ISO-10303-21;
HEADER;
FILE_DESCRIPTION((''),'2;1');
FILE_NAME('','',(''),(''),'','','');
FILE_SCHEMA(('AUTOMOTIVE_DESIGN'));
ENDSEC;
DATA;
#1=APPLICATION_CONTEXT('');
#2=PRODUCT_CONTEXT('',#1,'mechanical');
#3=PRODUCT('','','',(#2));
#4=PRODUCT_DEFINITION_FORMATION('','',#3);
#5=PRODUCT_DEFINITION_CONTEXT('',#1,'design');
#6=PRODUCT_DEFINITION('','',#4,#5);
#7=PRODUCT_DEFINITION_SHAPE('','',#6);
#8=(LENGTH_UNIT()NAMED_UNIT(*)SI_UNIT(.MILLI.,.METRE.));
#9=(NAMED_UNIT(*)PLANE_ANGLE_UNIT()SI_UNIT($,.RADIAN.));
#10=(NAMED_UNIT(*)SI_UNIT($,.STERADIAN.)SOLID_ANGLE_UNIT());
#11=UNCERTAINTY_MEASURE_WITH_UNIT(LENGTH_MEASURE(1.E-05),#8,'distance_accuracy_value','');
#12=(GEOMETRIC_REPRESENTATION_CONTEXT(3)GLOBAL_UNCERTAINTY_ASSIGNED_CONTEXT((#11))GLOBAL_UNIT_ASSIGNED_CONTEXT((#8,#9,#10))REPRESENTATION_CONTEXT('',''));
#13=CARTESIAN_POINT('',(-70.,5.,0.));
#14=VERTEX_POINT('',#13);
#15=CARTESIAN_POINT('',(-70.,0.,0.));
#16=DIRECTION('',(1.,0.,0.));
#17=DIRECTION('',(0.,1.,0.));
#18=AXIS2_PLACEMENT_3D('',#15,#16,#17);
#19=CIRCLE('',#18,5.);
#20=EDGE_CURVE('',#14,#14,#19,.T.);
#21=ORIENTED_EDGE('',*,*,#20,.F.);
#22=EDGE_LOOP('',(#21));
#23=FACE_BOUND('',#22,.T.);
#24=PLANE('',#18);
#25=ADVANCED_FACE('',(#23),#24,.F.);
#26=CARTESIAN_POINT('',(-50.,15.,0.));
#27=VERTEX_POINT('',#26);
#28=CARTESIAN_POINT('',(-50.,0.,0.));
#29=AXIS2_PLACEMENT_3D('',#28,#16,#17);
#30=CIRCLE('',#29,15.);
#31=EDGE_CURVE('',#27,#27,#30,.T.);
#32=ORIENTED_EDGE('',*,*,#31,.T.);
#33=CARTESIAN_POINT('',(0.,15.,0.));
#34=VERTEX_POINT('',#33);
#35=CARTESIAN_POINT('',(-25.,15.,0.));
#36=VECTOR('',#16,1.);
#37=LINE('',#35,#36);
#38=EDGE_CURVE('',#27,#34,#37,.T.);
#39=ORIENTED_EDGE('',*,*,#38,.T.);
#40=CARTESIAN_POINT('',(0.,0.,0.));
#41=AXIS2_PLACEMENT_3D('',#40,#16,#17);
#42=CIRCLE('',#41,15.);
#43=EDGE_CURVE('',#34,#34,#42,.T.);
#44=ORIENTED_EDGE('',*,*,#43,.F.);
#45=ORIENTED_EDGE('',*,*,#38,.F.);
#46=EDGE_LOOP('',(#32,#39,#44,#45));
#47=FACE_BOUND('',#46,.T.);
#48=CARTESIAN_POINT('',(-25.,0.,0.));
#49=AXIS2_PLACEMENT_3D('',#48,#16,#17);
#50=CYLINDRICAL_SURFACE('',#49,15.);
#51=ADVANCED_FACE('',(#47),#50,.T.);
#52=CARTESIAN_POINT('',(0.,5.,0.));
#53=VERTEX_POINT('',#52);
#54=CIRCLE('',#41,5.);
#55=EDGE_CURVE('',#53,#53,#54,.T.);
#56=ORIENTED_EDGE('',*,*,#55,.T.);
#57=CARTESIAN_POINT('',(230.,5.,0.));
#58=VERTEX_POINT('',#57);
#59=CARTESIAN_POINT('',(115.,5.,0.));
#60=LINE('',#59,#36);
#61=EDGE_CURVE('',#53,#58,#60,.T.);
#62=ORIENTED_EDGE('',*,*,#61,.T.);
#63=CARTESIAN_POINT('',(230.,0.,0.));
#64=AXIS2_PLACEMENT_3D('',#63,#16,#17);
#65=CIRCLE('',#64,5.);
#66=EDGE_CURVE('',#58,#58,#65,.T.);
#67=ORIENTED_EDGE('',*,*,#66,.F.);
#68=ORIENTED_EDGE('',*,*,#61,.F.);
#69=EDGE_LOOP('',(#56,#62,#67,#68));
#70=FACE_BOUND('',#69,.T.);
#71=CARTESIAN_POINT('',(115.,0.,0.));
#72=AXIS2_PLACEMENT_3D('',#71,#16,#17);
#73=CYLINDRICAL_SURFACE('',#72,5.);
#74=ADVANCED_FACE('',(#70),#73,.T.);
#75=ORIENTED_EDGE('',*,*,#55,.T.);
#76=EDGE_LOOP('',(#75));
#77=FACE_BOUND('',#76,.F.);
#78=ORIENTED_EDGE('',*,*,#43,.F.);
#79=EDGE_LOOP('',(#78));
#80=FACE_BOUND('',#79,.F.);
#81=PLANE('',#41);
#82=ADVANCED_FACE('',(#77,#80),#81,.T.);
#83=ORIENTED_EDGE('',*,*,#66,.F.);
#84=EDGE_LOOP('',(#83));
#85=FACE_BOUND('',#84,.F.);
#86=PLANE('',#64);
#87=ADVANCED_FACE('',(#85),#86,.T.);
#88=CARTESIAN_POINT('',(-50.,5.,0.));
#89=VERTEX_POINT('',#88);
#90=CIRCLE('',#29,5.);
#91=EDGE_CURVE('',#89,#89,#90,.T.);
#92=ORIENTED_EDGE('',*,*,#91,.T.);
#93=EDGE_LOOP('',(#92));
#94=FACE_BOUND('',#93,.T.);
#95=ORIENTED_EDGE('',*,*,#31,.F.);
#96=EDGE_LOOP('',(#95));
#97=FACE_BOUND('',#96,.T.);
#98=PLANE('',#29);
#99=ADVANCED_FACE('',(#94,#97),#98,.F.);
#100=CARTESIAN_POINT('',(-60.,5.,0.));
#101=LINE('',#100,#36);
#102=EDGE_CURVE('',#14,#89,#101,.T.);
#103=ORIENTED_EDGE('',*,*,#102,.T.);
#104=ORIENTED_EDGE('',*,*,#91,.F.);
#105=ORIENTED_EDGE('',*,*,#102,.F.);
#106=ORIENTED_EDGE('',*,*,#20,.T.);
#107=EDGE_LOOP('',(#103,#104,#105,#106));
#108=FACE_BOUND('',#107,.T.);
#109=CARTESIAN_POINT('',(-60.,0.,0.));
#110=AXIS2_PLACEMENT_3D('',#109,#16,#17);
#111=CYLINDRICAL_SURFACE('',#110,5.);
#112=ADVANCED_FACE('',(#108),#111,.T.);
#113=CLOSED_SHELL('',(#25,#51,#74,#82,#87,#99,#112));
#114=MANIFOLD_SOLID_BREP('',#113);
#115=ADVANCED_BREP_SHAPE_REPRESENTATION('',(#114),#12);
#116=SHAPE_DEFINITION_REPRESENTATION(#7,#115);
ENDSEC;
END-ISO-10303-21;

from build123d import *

# Parameters (mm, degrees)
F0_W   = 20
F0_H   = 5
F0_W_2 = 50
F0_H_2 = 10
F0_W_3 = 230


with BuildPart() as f1:
    # F0 (on Top) → F1 (revolve)
    with BuildSketch(Plane.XY):
        with Locations((-60, 2.5)):
            Rectangle(F0_W, F0_H)
        with Locations((-25, 10)):
            Rectangle(F0_W_2, F0_H_2)
        with Locations((-25, 2.5)):
            Rectangle(F0_W_2, F0_H)
        with Locations((115, 2.5)):
            Rectangle(F0_W_3, F0_H)
    revolve(axis=Axis((80, 0, 0), (1, 0, 0)))


solid = f1.part
